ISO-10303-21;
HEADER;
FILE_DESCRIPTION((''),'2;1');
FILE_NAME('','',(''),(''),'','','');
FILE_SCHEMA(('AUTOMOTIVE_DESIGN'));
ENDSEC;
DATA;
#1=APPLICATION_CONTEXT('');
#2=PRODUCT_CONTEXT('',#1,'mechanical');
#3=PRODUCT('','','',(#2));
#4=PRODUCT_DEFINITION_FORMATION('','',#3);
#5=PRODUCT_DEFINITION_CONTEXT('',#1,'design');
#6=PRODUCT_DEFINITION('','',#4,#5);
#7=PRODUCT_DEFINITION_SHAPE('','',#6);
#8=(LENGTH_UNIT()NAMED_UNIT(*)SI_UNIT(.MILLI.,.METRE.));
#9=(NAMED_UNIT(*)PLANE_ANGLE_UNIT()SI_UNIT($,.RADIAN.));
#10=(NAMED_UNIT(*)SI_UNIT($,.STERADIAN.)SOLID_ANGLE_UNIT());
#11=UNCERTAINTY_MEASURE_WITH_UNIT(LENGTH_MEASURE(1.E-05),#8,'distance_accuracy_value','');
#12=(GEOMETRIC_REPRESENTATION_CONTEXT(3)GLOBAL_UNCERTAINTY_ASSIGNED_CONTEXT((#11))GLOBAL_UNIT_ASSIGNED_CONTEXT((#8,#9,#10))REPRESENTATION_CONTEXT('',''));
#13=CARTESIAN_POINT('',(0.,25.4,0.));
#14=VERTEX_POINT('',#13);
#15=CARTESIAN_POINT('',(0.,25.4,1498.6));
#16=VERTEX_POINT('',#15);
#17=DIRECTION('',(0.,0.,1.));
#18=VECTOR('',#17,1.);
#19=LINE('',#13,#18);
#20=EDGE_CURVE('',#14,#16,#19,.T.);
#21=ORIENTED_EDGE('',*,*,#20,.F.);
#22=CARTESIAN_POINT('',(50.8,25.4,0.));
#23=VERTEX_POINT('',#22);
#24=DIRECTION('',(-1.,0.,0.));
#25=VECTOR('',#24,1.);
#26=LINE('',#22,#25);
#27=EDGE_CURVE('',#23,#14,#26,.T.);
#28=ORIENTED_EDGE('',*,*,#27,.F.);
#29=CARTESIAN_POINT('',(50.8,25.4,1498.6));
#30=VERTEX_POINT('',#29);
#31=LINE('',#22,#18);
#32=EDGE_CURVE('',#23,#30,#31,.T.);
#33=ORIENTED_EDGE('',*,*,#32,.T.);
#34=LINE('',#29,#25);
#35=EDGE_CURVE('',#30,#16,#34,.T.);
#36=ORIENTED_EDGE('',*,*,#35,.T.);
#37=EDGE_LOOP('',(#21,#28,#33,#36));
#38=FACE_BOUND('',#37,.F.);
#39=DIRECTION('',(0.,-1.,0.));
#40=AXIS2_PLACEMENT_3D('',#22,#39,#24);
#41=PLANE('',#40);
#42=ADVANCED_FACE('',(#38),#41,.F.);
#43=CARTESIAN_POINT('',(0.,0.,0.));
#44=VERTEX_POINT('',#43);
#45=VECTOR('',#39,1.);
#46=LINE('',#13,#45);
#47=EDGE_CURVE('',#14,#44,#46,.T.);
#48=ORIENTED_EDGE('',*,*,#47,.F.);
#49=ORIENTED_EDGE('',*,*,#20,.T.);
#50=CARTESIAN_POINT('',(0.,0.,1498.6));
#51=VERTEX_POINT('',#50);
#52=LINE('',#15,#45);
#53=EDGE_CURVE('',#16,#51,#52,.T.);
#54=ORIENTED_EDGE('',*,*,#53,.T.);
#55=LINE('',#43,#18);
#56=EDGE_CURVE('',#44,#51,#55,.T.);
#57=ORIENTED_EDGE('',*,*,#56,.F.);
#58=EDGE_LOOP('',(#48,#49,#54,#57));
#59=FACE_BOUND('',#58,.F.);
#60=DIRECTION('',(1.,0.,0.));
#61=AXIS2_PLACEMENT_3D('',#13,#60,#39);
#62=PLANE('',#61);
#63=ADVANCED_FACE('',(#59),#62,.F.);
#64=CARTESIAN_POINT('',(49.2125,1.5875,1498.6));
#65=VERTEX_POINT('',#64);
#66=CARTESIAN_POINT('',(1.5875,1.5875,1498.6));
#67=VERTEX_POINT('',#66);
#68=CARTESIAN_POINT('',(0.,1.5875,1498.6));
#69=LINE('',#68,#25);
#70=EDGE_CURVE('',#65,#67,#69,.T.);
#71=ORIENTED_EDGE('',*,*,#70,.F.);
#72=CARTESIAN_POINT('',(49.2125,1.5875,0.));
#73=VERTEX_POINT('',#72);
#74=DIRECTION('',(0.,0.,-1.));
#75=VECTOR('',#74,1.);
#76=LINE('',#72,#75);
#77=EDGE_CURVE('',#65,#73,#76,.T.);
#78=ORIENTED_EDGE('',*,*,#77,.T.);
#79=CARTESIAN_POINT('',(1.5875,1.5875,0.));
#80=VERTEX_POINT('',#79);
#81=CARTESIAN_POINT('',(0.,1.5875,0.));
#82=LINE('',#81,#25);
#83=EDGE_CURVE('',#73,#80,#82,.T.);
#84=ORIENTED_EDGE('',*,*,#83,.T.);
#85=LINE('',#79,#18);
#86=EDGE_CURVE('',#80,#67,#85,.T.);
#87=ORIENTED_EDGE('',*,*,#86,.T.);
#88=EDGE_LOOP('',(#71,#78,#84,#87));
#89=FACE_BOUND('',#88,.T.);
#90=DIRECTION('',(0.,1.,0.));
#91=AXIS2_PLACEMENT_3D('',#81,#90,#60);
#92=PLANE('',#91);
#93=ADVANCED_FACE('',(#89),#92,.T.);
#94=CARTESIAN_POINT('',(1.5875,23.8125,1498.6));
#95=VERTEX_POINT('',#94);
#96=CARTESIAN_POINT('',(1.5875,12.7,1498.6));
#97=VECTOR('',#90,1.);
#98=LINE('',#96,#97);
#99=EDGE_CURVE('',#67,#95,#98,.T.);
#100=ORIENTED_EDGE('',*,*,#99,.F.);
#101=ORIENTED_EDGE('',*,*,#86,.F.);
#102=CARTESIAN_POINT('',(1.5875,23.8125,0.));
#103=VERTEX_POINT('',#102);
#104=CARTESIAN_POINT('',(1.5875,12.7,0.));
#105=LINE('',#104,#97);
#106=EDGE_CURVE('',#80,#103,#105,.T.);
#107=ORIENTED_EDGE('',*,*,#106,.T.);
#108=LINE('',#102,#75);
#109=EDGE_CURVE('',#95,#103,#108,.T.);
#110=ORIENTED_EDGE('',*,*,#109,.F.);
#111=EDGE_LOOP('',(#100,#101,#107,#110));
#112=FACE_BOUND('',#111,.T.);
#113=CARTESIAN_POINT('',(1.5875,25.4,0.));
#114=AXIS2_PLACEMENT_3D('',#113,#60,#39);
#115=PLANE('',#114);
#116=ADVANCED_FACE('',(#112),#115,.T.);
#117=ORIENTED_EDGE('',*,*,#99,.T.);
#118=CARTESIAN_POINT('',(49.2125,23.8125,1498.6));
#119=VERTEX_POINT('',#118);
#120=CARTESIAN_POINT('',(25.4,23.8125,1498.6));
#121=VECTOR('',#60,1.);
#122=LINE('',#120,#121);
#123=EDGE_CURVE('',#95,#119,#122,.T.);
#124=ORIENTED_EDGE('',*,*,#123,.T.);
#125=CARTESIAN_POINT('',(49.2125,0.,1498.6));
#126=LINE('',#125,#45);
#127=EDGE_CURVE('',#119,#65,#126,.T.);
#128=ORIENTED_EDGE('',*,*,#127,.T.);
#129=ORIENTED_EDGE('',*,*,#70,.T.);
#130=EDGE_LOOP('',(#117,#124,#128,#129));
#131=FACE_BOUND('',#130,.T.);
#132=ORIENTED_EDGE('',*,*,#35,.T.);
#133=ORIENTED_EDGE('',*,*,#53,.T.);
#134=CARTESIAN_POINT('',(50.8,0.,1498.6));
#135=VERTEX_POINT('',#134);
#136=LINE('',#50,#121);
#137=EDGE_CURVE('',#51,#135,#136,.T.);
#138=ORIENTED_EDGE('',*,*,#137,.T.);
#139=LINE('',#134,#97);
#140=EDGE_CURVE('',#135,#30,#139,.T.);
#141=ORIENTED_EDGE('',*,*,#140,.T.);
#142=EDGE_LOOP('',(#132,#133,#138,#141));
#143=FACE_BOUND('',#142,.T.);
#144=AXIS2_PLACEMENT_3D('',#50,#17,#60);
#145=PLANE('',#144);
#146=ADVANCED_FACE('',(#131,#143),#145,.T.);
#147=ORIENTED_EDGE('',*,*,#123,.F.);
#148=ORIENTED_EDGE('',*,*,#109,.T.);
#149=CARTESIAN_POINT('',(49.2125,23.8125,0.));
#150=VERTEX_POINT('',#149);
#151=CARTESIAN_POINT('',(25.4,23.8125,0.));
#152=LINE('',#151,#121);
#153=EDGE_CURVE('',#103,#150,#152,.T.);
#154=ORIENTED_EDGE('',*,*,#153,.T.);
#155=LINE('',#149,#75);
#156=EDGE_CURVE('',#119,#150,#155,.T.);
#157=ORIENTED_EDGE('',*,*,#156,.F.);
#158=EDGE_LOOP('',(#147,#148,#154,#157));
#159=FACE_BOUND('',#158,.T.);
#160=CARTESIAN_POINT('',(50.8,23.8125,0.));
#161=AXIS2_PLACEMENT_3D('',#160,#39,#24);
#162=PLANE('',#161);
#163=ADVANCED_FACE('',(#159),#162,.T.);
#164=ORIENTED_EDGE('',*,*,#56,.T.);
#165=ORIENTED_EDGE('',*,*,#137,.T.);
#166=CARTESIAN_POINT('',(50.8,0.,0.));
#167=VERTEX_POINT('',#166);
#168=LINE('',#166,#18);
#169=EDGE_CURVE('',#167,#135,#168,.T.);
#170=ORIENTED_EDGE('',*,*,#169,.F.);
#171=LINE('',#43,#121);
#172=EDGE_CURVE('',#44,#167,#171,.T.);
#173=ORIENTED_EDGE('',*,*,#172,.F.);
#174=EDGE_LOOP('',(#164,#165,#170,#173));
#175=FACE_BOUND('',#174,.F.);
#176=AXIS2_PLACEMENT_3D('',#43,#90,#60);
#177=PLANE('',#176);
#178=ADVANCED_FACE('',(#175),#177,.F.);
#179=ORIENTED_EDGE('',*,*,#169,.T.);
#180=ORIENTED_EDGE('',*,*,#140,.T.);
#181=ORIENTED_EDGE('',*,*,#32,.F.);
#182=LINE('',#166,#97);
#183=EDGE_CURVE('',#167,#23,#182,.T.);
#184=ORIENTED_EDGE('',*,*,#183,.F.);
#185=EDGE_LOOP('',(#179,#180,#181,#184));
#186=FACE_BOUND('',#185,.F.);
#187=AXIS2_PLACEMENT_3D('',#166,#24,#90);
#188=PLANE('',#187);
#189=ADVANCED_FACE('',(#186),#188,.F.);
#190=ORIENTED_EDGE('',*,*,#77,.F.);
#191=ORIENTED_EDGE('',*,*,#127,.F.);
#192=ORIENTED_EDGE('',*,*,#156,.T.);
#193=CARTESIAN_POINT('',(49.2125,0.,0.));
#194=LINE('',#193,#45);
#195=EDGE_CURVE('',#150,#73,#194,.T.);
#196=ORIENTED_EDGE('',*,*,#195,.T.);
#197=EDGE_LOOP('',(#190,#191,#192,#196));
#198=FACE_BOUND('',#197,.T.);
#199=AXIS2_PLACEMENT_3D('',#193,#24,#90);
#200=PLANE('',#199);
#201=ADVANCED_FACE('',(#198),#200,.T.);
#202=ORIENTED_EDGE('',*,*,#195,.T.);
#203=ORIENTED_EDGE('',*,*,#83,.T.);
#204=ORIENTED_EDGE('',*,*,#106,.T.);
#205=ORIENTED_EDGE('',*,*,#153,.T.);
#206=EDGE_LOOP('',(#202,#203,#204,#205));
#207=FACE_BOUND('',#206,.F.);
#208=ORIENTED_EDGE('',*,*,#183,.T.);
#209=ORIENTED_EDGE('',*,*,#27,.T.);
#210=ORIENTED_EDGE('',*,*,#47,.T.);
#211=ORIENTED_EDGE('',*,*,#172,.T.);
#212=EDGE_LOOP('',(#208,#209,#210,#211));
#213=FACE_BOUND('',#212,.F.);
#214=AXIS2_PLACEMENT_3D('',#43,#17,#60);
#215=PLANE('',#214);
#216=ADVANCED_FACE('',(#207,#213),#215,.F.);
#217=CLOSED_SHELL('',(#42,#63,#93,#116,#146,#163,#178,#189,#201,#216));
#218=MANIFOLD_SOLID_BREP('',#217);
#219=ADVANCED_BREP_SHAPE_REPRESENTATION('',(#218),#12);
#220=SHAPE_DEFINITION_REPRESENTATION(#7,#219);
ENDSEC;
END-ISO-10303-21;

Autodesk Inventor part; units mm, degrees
ref_plane "YZ Plane" through (0, 0, 0) normal (1, 0, 0) x (0, 1, 0)
ref_plane "XZ Plane" through (0, 0, 0) normal (0, 1, 0) x (-1, 0, 0)
ref_plane "XY Plane" through (0, 0, 0) normal (0, 0, 1) x (1, 0, 0)
sketch "Sketch1" plane through (0, 0, 0) normal (0, 0, 1) x (1, 0, 0)
  line L0 (0, 0) -> (50.8, 0)
  line L1 (50.8, 0) -> (50.8, 25.4)
  line L2 (50.8, 25.4) -> (0, 25.4)
  line L3 (0, 25.4) -> (0, 0)
  dimension "d0" = 50.8
  dimension "d1" = 25.4
extrude "Extrusion1" add sketch "Sketch1" along normal blind 1498.6
shell "Shell1" thickness 1.5875 removed faces 2 at (16.9333, 8.4667, 0) at (16.9333, 8.4667, 1498.6)
equation "\"d2\" = Length"
equation "\"Length\" = 1498.6"
properties part number "Box Tube"
